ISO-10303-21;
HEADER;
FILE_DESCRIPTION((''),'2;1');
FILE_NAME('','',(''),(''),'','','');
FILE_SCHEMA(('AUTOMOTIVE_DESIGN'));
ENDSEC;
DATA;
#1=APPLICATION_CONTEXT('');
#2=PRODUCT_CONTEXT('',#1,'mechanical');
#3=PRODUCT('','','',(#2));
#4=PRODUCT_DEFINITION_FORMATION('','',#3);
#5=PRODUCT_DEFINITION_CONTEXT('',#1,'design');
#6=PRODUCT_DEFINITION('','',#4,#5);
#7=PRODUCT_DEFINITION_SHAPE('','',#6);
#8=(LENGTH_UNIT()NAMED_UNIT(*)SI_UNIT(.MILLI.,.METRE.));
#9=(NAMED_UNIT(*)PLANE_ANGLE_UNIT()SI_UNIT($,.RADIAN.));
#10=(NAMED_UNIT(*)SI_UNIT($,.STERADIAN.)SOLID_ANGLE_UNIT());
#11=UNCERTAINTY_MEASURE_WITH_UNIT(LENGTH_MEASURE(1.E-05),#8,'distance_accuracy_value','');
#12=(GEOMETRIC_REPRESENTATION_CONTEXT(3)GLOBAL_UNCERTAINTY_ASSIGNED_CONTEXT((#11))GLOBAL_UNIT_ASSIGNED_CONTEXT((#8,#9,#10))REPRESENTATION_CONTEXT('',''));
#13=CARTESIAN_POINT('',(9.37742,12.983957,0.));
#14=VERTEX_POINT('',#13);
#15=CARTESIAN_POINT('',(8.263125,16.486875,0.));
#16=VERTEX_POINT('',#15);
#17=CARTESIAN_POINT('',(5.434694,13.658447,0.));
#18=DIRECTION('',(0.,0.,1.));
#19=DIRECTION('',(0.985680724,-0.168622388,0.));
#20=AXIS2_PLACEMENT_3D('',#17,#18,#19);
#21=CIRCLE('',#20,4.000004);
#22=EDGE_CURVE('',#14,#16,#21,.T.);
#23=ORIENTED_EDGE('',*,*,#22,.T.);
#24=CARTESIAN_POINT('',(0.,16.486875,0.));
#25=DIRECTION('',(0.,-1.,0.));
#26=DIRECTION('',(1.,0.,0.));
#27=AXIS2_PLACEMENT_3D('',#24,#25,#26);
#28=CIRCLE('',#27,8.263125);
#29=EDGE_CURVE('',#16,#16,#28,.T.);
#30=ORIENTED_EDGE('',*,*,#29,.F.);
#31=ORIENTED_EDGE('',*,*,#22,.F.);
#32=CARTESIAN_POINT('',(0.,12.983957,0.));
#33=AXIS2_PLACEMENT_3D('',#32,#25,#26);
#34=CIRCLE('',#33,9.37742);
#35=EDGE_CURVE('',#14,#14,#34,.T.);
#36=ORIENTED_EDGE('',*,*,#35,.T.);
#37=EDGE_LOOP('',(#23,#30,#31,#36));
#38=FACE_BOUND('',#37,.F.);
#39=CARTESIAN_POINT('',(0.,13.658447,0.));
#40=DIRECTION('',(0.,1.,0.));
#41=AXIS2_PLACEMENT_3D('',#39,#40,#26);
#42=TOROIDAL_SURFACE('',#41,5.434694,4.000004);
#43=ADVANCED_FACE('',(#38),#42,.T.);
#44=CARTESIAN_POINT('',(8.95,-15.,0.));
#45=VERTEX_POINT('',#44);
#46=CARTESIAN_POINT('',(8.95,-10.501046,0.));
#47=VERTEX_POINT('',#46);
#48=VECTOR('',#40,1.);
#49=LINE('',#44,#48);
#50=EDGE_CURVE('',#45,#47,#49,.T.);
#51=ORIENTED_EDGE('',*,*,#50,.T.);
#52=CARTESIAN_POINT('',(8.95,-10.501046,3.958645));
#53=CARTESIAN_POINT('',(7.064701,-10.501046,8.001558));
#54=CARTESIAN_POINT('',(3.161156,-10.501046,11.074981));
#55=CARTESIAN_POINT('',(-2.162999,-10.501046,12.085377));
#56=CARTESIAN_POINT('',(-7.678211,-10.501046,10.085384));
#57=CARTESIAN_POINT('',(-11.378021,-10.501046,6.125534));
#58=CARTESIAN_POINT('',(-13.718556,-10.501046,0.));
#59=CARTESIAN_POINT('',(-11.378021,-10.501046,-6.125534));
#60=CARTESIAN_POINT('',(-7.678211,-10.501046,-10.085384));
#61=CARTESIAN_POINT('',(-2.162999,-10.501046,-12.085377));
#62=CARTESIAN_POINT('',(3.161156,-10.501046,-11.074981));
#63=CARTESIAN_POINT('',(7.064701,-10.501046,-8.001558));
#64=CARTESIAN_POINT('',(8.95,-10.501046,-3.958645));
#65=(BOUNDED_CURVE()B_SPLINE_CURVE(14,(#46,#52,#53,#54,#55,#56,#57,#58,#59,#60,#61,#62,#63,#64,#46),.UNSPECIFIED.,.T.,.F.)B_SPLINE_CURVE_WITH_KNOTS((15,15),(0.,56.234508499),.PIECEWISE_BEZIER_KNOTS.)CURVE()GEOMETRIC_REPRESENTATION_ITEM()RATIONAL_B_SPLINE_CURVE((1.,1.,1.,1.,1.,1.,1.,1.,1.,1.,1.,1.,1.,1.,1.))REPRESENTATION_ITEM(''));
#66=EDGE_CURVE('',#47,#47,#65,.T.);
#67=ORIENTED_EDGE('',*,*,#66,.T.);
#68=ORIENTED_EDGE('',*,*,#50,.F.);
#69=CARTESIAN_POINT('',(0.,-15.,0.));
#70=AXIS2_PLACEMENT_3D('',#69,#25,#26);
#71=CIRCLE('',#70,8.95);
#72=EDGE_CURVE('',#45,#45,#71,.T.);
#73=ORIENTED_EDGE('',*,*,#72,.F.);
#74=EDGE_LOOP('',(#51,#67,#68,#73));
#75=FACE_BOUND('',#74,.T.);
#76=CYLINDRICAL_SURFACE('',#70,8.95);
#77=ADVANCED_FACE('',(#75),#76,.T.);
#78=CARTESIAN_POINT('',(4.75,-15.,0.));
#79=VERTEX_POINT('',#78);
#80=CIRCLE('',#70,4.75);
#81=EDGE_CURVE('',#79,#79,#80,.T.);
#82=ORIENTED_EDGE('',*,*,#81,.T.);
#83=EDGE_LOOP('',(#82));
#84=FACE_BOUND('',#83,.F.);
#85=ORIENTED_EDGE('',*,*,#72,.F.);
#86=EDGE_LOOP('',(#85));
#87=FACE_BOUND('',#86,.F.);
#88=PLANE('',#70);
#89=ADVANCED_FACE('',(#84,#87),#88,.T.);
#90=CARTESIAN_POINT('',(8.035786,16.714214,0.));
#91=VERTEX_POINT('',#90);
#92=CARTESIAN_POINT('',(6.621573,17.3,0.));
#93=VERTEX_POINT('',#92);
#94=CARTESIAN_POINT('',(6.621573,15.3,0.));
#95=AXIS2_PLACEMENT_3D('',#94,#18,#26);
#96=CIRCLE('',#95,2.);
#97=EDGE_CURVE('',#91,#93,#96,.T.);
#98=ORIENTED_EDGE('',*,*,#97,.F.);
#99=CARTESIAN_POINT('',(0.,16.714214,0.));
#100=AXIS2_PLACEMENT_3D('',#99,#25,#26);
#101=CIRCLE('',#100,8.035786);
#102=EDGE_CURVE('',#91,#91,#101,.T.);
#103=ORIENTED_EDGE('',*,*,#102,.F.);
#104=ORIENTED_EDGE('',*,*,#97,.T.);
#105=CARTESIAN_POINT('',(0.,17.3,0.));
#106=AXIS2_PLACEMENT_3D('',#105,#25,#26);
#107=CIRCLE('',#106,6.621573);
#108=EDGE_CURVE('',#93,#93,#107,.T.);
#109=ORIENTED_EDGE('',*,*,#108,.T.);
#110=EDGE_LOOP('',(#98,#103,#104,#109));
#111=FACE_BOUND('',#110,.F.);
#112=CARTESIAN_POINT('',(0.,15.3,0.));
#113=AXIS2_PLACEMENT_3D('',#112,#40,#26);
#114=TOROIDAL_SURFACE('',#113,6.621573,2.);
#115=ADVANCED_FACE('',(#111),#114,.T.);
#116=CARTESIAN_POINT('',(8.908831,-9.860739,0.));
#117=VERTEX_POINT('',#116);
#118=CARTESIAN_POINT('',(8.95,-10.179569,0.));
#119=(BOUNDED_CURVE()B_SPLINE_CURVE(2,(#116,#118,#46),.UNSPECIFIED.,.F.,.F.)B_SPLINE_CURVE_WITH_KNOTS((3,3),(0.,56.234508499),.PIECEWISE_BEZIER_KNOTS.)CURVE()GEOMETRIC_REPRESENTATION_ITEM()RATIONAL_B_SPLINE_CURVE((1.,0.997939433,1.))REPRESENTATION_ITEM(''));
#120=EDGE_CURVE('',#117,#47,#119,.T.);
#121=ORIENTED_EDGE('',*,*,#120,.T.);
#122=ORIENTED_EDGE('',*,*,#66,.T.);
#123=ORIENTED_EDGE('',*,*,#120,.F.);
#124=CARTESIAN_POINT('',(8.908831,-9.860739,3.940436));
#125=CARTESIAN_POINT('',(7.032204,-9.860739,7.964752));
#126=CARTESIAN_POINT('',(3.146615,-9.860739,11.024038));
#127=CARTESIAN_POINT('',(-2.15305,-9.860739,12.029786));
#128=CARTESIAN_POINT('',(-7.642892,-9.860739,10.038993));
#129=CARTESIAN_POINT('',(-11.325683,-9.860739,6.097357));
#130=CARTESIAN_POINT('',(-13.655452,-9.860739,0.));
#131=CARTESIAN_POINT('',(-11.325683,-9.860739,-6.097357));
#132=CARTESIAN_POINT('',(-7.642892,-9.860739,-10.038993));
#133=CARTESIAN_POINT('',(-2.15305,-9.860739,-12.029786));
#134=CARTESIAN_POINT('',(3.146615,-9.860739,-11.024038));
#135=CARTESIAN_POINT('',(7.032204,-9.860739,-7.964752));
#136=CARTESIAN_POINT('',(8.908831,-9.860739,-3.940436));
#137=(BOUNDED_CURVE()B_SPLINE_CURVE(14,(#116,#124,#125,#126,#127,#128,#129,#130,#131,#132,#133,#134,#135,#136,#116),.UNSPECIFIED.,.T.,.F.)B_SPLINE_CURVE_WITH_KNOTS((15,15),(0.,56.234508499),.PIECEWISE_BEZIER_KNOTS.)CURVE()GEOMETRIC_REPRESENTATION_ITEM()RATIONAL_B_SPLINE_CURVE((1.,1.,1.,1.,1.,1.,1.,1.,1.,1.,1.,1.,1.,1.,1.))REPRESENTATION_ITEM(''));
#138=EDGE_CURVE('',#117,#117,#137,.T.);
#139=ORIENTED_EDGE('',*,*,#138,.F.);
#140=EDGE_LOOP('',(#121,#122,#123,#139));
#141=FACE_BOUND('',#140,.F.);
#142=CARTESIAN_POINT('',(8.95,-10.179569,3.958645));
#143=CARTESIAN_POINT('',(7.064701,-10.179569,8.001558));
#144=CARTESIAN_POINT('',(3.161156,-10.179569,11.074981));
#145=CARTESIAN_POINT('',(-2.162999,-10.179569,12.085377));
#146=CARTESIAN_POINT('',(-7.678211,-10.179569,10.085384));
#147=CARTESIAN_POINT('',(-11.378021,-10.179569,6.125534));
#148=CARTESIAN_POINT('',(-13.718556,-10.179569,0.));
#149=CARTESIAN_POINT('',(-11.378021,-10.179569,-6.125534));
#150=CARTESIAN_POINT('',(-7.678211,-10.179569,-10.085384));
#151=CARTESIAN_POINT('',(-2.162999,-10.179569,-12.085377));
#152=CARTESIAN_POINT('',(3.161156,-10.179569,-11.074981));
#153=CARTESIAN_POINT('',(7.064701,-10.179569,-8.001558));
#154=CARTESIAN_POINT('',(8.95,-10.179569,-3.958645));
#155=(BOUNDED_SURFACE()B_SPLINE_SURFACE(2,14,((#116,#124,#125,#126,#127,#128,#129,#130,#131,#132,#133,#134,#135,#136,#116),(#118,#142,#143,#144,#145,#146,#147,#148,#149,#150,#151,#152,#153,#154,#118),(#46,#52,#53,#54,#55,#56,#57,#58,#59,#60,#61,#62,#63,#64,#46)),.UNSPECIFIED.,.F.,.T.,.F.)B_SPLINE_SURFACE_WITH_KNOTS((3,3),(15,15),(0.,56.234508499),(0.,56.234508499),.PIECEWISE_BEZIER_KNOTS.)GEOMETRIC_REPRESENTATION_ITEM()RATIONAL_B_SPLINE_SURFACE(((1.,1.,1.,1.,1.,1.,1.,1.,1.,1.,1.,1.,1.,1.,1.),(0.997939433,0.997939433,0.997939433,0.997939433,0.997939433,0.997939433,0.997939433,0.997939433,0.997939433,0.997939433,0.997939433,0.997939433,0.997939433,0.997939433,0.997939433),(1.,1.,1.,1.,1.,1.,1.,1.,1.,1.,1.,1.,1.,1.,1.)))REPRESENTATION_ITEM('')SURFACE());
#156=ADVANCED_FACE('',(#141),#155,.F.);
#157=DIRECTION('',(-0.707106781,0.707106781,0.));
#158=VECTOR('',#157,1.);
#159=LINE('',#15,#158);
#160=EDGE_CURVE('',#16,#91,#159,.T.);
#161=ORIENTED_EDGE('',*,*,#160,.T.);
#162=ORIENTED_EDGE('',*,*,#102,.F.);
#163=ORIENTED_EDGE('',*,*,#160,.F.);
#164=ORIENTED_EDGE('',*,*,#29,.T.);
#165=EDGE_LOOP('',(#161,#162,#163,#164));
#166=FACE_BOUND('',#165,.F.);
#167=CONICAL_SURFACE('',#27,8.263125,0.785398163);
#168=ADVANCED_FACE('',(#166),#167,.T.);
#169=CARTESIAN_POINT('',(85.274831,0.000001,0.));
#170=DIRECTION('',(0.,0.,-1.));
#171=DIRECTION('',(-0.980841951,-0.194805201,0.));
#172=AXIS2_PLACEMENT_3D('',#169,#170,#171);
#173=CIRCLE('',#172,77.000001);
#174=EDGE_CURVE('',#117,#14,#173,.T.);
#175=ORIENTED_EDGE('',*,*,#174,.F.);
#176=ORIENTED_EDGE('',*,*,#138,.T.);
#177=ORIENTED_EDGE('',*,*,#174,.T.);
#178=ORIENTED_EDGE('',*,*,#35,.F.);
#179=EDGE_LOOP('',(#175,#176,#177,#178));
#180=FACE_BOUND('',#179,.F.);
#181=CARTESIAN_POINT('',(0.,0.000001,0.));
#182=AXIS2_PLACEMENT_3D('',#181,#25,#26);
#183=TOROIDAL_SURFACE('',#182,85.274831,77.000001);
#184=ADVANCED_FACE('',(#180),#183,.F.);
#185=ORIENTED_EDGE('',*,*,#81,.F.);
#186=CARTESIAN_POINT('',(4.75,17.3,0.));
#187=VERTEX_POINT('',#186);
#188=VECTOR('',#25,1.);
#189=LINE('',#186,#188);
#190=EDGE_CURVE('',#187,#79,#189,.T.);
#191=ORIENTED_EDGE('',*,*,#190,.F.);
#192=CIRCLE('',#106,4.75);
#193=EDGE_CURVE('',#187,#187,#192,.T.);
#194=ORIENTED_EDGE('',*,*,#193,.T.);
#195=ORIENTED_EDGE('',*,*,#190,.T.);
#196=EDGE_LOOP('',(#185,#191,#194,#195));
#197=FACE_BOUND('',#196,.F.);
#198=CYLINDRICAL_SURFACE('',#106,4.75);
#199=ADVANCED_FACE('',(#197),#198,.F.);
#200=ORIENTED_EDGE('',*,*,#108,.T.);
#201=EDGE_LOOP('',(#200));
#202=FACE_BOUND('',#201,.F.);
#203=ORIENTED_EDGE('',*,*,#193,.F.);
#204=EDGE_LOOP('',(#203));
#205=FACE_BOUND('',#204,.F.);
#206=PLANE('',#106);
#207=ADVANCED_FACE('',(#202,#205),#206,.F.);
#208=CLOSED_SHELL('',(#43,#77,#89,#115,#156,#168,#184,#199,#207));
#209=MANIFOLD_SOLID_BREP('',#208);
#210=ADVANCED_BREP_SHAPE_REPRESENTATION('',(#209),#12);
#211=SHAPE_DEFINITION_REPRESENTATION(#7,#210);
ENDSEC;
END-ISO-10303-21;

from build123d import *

# Parameters (mm, degrees)
F2_R     = 2
F3_R     = 9.75
F3_R_2   = 8.95
F4_DEPTH = 10
F5_R     = 5


with BuildPart() as f1:
    # F0 (on Top) → F1 (revolve)
    with BuildSketch(Plane.XY):
        with BuildLine():
            ThreePointArc((9.75, -15), (8.281654, -1.025091), (9.37742, 12.983957))
            ThreePointArc((9.37742, 12.983957), (9.246485, 14.870996), (8.263125, 16.486875))
            Line((8.263125, 16.486875), (7.45, 17.3))
            Line((7.45, 17.3), (4.75, 17.3))
            Line((4.75, 17.3), (4.75, -15))
            Line((4.75, -15), (9.75, -15))
        make_face()
    revolve(axis=Axis((0, -4.586624, 0), (0, -1, 0)))

    # F2
    f2_edges = [f1.edges().sort_by_distance(p)[0] for p in [
        (-7.45, 17.3, 0),
    ]]
    fillet(f2_edges, radius=F2_R)

    # F3 (on face) → F4 (cut)
    with BuildSketch(Plane.XZ.offset(15)):
        Circle(F3_R)
        Circle(F3_R_2, mode=Mode.SUBTRACT)
    extrude(amount=-F4_DEPTH, mode=Mode.SUBTRACT)

    # F5
    f5_edges = [f1.edges().sort_by_distance(p)[0] for p in [
        (-8.95, -10.174491, 0),
        (8.287942, 1.420896, 0),
        (-9.37742, 12.983957, 0),
    ]]
    fillet(f5_edges, radius=F5_R)


solid = f1.part
